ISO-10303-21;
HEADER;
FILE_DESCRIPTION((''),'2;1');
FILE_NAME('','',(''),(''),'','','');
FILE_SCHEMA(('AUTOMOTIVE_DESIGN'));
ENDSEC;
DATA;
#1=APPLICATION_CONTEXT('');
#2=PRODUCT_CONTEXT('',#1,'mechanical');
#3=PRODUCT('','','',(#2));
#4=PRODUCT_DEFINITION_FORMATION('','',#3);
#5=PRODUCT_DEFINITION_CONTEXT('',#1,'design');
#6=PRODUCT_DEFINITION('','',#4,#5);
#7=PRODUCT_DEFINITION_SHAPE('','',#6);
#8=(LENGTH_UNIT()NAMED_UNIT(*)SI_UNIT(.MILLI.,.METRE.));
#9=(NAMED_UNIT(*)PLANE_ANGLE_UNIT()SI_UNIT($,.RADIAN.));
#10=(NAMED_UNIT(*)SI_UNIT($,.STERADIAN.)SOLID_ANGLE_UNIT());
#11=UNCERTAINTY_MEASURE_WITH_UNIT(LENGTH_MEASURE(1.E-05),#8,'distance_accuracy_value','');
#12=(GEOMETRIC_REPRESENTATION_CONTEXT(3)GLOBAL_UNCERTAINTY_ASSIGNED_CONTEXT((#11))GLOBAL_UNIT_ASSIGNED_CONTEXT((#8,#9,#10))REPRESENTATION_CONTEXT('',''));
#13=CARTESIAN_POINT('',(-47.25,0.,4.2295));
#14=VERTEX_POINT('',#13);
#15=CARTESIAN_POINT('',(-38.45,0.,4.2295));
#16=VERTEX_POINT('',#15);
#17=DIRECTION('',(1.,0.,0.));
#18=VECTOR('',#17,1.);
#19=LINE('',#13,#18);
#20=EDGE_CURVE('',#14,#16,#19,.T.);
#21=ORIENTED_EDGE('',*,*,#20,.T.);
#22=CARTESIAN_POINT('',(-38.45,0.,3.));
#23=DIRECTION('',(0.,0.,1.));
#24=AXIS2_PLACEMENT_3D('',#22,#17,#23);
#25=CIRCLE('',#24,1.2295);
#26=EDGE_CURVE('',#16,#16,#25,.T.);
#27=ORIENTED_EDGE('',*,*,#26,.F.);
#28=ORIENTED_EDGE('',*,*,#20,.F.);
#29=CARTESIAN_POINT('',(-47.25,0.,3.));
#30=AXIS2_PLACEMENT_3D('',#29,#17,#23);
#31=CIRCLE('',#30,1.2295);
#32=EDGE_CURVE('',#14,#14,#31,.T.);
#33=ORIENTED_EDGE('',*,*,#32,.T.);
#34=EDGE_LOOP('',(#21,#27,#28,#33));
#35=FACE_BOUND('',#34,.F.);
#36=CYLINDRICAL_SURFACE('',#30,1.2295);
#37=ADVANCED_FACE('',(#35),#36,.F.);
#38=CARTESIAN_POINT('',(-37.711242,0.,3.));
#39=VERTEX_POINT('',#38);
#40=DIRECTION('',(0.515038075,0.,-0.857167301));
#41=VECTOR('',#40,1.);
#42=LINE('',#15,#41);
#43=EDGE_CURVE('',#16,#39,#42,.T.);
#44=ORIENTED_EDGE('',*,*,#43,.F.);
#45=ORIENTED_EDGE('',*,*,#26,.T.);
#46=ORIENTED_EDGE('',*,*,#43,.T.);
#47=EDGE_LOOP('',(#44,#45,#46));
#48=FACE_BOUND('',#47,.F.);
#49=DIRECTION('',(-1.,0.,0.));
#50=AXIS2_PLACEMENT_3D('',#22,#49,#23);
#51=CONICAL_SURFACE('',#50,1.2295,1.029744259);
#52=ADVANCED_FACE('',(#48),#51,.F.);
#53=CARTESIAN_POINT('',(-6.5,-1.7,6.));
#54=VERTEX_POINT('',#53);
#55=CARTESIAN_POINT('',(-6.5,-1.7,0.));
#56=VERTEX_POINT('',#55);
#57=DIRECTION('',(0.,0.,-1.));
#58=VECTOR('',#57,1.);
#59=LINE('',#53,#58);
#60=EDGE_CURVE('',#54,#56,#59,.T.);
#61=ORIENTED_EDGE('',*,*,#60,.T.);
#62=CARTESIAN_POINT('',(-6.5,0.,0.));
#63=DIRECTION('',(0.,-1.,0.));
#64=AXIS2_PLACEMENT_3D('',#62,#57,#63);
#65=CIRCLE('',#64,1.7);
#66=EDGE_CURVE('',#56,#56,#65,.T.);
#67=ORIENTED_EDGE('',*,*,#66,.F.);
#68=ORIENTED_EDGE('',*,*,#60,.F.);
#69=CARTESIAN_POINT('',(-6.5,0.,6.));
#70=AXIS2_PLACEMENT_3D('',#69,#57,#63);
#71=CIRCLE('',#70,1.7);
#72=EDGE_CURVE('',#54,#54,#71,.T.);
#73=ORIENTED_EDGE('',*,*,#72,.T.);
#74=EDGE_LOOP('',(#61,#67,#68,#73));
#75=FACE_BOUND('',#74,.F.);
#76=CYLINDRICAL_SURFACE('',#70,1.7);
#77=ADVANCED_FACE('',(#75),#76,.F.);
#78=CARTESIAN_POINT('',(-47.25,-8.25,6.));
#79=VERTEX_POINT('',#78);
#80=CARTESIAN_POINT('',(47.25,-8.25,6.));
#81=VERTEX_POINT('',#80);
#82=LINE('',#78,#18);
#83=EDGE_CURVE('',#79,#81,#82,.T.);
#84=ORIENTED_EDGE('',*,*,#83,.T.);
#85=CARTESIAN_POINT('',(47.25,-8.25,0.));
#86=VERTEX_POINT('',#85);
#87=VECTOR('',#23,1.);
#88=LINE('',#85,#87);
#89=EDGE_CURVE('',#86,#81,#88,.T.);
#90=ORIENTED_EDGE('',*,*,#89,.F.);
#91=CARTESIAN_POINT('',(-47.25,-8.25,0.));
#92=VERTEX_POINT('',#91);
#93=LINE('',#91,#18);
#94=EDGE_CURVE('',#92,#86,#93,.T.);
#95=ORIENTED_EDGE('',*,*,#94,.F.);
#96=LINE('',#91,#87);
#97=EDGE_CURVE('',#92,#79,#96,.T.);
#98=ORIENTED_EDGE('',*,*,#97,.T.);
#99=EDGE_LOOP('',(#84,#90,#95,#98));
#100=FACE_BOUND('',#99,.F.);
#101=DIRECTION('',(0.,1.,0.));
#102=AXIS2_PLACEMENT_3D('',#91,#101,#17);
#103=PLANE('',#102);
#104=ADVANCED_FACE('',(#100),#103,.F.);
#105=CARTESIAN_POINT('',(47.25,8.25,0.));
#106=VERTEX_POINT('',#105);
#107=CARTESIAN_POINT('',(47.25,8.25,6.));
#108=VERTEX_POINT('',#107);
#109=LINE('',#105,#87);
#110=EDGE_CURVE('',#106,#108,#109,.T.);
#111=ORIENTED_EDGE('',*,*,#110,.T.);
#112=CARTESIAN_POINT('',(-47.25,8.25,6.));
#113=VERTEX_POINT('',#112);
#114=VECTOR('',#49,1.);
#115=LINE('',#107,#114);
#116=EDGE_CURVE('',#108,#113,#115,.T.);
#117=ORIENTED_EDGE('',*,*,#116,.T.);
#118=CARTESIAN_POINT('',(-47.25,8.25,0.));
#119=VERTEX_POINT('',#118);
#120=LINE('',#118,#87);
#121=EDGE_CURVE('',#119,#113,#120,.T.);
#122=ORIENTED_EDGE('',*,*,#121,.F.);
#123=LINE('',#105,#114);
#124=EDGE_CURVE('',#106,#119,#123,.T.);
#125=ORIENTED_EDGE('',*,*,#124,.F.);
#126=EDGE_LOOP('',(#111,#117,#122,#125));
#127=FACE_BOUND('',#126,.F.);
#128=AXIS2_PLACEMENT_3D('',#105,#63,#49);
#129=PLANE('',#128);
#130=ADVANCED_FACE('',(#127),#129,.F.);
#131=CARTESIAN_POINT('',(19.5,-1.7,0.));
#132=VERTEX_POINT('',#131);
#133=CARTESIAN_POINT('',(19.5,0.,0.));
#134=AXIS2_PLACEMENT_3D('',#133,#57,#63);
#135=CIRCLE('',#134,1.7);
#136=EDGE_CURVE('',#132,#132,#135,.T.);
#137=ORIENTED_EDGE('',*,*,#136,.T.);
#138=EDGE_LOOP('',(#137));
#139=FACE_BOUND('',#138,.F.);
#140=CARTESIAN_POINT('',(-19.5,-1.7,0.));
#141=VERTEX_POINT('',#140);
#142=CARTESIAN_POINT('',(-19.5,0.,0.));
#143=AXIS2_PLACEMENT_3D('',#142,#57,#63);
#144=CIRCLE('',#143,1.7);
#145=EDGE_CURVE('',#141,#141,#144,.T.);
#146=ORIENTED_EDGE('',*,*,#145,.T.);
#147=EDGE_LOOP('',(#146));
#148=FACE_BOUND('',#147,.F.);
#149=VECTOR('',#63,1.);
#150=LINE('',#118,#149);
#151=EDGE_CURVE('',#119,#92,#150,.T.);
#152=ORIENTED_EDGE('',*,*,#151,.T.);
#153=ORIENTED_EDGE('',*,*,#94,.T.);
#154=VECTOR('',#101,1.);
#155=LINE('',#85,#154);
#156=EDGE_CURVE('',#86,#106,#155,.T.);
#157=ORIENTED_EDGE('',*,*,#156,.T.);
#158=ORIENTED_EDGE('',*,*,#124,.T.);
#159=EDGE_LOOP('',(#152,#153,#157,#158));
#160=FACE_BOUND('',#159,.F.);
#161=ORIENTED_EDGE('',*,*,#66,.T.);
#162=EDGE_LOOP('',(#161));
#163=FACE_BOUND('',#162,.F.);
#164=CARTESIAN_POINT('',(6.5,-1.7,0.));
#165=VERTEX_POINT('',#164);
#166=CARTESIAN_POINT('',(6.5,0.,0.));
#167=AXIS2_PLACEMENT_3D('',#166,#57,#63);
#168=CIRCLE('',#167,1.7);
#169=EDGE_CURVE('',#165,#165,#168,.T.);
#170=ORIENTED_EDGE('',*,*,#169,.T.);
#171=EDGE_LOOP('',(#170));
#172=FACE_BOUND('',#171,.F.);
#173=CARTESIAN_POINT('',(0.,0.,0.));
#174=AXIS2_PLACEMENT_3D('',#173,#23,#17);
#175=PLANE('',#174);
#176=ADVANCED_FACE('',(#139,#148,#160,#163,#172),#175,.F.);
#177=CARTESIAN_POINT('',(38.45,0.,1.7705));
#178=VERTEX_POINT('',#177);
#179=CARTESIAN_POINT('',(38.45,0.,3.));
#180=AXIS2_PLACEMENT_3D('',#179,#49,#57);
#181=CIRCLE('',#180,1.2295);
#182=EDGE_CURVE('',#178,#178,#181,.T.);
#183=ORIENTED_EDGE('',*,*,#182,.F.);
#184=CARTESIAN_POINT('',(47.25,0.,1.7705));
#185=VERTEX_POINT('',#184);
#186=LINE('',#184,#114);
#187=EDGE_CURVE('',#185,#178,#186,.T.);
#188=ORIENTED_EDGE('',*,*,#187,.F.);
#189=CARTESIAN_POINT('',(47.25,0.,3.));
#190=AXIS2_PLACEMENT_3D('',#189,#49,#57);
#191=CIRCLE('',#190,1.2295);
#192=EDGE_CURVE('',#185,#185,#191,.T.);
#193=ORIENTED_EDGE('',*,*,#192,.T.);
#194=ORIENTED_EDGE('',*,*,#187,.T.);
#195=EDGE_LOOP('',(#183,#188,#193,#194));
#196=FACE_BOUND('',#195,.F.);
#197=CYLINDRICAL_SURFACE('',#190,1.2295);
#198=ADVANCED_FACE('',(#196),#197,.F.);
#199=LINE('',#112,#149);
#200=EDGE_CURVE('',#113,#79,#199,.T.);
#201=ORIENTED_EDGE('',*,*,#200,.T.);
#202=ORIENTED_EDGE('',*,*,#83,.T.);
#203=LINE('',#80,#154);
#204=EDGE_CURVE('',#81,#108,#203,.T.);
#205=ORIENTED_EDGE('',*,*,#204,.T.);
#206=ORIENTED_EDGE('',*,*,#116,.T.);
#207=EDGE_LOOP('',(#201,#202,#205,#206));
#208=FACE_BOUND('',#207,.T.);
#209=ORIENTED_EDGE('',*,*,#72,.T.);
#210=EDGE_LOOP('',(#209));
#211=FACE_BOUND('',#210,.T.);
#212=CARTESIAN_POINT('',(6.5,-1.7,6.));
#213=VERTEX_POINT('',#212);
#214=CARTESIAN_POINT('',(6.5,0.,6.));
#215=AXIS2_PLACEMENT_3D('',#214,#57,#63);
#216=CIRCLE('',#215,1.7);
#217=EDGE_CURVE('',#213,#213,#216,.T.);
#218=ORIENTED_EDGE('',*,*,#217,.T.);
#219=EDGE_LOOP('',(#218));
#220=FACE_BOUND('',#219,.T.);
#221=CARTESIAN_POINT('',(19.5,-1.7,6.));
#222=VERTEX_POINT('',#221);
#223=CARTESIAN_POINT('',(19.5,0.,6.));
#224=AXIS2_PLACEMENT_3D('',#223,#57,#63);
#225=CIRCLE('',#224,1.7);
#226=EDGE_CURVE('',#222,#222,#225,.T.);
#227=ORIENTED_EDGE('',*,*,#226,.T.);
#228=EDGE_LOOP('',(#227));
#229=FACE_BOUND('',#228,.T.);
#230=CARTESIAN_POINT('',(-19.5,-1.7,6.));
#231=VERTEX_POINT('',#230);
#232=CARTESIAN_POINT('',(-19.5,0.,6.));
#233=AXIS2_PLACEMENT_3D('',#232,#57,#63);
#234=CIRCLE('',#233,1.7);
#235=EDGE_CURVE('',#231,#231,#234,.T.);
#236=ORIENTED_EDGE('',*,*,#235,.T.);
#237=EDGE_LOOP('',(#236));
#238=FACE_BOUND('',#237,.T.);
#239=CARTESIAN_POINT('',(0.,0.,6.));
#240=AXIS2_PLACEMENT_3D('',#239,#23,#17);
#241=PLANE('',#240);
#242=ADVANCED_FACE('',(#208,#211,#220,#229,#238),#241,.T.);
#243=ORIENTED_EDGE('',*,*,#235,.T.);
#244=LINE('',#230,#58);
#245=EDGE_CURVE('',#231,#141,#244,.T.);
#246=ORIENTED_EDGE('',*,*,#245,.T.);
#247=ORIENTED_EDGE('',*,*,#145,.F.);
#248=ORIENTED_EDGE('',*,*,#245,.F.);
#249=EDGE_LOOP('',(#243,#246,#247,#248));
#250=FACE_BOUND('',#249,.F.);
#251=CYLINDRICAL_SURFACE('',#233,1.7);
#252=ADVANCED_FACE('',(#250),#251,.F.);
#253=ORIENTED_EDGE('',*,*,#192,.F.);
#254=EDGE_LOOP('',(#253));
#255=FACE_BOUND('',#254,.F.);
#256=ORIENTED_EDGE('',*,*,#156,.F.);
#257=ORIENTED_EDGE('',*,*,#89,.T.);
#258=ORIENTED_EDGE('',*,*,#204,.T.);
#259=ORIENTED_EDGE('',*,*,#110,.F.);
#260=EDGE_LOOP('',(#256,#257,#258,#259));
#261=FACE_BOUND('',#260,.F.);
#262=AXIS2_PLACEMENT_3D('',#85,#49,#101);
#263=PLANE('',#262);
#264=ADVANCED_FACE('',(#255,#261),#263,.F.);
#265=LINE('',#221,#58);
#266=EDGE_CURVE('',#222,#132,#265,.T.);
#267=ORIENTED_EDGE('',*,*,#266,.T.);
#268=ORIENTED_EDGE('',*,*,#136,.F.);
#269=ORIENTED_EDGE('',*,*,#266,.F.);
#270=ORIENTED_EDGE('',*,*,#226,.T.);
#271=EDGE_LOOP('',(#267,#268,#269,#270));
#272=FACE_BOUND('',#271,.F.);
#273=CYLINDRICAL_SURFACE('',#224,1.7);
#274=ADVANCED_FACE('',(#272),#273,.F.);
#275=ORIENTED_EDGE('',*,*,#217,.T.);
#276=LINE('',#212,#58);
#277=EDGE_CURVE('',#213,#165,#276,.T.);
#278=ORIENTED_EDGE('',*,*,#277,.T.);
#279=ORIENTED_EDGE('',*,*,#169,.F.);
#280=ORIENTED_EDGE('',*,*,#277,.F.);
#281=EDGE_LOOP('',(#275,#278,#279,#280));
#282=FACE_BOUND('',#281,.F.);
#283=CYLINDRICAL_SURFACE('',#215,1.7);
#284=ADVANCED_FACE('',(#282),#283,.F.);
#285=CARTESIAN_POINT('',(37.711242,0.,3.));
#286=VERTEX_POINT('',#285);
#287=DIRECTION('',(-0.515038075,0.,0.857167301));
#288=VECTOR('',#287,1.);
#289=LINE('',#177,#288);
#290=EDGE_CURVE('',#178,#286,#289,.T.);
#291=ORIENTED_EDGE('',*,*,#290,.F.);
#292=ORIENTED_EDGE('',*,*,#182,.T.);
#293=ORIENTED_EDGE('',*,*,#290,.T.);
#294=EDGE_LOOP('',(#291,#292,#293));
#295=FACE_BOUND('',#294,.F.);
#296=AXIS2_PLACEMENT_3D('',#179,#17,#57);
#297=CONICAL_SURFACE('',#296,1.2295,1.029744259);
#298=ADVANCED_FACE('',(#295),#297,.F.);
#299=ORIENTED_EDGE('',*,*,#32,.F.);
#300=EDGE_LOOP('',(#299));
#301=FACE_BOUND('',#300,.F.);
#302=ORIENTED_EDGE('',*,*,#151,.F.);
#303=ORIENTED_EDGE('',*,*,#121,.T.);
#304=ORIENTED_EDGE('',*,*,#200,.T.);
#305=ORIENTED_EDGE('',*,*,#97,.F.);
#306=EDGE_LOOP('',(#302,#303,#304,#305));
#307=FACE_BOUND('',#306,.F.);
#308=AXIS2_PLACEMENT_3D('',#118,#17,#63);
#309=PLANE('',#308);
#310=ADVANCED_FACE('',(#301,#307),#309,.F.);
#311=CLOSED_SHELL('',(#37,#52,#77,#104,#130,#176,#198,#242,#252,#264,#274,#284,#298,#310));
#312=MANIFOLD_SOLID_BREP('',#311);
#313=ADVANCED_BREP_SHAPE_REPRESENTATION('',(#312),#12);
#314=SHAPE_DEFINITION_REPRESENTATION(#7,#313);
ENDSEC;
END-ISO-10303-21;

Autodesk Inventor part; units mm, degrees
ref_plane "YZ Plane" through (0, 0, 0) normal (1, 0, 0) x (0, 1, 0)
ref_plane "XZ Plane" through (0, 0, 0) normal (0, 1, 0) x (-1, 0, 0)
ref_plane "XY Plane" through (0, 0, 0) normal (0, 0, 1) x (1, 0, 0)
sketch "Sketch1" plane through (0, 0, 0) normal (0, 0, 1) x (1, 0, 0)
  line L0 (-47.25, -8.25) -> (47.25, -8.25)
  line L1 (47.25, -8.25) -> (47.25, 8.25)
  line L2 (47.25, 8.25) -> (-47.25, 8.25)
  line L3 (-47.25, 8.25) -> (-47.25, -8.25)
  line L4 (-47.25, -8.25) -> (47.25, 8.25) construction
  line L5 (47.25, -8.25) -> (-47.25, 8.25) construction
  point P0 (0, 0)
  dimension "d0" = 94.5
  dimension "d1" = 16.5
extrude "Extrusion1" add sketch "Sketch1" along normal blind 6
sketch "Sketch2" plane through (0, 0, 6) normal (0, 0, 1) x (1, 0, 0)
  line L0 (-19.5, 0) -> (-6.5, 0) construction
  line L1 (6.5, 0) -> (-6.5, 0) construction
  line L2 (6.5, 0) -> (19.5, 0) construction
  point P0 (0, 0)
  point P1 (0, 0)
  dimension "d4" = 13
  dimension "d5" = 13
  dimension "d6" = 13
hole "Hole1" at (-19.5, 0, 6) at (-6.5, 0, 6) at (6.5, 0, 6) at (19.5, 0, 6) direction (0, 0, -1) diameter 3.4 depth 8 tip angle 118 clearance for "Countersunk Flat Head Screw DIN EN ISO 2009" size "M3" standard "DIN"
sketch "Sketch3" plane through (47.25, -8.25, 0) normal (1, 0, 0) x (0, 0, -1)
  line L0 (0, 0) -> (0, 16.5) projected
  point P0 (0, 8.25)
  point P1 (-3, 8.25)
  point P2 (0, 8.25)
  dimension "d14" = 3
hole "Hole2" at (47.25, 0, 3) direction (-1, 0, 0) diameter 2.459 depth 8.8 tip angle 118 thread size "M3x0.5" class "6H" standard "ISO Metric profile"
sketch "Sketch4" plane through (-47.25, -8.25, 0) normal (-1, 0, 0) x (0, 0, 1)
  line L0 (0, 16.5) -> (0, 0) projected
  point P0 (0, 8.25)
  point P1 (3, 8.25)
  point P2 (0, 8.25)
  dimension "d22" = 3
hole "Hole3" at (-47.25, 0, 3) direction (1, 0, 0) diameter 2.459 depth 8.8 tip angle 118 thread size "M3x0.5" class "6H" standard "ISO Metric profile"
properties part number "Kühkörper_GateTreiber" material "Aluminum 6061"
